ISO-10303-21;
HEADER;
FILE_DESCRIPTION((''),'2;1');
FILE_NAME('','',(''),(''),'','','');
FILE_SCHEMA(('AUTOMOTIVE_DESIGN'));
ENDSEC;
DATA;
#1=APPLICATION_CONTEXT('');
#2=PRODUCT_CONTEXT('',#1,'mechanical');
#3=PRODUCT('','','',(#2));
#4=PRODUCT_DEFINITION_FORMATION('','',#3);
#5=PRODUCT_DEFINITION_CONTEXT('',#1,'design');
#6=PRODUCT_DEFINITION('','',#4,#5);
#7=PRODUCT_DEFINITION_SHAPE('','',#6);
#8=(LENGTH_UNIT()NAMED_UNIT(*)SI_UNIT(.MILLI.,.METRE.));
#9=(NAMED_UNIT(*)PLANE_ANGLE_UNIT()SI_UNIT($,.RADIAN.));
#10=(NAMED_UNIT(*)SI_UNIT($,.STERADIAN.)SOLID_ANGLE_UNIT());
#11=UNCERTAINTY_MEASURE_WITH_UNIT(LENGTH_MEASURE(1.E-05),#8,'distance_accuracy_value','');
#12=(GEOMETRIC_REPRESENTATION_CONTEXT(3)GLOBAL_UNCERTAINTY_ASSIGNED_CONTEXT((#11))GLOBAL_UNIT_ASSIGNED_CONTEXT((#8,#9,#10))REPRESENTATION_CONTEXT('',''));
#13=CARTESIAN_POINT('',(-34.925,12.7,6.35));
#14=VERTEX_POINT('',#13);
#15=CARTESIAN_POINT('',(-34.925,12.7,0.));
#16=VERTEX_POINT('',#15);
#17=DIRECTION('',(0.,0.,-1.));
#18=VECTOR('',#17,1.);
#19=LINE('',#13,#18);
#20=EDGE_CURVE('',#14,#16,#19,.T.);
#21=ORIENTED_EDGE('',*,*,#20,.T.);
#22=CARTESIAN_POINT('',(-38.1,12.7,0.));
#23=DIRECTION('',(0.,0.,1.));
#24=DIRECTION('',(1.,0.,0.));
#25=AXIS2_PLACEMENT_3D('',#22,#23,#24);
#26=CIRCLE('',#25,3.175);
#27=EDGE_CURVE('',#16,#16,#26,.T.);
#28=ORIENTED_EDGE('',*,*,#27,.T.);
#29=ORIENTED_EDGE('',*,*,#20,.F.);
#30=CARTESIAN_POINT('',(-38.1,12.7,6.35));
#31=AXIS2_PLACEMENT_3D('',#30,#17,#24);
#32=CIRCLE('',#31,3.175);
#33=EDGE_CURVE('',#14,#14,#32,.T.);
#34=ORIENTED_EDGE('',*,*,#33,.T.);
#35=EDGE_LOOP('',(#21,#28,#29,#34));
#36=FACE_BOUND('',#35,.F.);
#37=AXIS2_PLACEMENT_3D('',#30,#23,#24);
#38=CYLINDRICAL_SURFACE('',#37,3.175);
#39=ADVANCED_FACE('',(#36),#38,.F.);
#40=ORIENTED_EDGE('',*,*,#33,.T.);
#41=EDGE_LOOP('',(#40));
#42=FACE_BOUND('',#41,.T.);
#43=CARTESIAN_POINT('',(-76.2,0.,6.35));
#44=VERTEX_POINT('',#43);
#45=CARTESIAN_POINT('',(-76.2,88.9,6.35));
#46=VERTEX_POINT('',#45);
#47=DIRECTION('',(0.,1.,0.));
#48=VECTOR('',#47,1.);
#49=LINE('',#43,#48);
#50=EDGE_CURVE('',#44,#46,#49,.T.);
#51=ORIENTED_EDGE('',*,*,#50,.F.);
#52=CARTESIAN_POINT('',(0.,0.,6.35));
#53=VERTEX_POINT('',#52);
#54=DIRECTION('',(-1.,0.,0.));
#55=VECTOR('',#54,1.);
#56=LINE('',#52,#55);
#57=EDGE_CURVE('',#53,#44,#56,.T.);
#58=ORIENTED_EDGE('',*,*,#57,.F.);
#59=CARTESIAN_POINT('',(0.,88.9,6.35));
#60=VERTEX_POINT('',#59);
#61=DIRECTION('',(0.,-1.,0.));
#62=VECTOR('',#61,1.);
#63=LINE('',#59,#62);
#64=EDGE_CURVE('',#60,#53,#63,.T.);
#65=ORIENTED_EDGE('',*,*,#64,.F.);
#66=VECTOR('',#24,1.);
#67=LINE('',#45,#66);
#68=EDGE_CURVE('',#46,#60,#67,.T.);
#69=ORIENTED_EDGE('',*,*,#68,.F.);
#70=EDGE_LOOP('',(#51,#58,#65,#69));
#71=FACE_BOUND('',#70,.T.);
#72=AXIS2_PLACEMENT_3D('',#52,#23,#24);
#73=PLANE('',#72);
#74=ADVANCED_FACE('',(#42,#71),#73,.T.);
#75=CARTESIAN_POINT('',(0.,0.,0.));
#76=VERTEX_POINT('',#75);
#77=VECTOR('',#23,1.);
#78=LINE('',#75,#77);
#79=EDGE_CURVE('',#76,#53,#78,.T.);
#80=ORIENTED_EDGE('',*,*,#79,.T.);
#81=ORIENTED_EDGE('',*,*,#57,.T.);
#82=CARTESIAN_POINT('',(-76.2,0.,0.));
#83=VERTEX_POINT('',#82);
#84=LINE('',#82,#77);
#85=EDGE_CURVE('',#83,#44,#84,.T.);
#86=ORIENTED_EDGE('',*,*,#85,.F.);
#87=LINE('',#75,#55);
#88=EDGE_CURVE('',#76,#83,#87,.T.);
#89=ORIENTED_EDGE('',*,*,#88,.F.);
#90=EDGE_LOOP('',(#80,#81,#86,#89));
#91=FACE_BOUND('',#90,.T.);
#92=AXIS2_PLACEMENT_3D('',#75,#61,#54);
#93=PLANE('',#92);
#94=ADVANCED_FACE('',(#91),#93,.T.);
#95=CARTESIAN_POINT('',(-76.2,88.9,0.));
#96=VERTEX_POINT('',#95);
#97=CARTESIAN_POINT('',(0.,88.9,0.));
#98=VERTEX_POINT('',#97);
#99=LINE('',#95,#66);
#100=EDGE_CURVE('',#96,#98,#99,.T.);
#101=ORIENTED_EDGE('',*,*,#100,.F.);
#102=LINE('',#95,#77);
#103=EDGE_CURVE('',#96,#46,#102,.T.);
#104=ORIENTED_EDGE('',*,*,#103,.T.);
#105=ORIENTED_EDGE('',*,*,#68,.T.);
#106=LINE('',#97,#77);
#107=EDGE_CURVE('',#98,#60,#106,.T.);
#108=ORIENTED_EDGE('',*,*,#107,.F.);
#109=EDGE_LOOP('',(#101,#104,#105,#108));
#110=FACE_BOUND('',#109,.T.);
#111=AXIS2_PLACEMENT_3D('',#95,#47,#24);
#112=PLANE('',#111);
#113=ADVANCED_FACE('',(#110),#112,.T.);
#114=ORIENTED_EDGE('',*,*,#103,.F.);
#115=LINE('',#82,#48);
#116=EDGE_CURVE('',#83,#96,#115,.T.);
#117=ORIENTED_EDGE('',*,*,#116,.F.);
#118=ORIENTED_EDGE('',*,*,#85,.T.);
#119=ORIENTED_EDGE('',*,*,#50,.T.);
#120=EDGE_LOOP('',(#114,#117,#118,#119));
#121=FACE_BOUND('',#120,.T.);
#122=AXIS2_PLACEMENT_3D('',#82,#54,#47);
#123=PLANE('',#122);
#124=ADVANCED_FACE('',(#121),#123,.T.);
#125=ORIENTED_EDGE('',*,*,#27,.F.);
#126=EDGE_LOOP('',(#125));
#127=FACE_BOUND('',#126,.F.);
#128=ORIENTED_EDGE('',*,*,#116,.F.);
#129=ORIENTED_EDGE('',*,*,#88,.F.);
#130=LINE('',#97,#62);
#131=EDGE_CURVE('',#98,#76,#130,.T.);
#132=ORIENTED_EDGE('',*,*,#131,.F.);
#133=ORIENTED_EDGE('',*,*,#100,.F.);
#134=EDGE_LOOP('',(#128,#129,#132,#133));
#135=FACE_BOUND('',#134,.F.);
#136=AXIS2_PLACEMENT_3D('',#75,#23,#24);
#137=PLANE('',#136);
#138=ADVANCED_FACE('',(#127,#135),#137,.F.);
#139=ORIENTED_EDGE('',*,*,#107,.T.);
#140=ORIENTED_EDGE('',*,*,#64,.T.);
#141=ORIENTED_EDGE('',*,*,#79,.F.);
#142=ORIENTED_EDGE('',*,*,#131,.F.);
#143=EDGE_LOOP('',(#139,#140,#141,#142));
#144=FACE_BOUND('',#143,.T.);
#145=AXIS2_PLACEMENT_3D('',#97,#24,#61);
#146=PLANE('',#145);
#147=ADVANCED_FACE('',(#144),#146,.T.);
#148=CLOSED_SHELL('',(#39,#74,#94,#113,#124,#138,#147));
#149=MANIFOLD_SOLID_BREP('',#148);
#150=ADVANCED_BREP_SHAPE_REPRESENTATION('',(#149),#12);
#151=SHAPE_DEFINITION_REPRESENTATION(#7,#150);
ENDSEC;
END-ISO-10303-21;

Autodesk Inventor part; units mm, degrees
ref_plane "YZ Plane" through (0, 0, 0) normal (1, 0, 0) x (0, 1, 0)
ref_plane "XZ Plane" through (0, 0, 0) normal (0, 1, 0) x (-1, 0, 0)
ref_plane "XY Plane" through (0, 0, 0) normal (0, 0, 1) x (1, 0, 0)
sketch "Sketch1" plane through (0, 0, 0) normal (0, 0, 1) x (1, 0, 0)
  line L0 (0, 0) -> (-76.2, 0)
  line L1 (-76.2, 0) -> (-76.2, 88.9)
  line L2 (-76.2, 88.9) -> (0, 88.9)
  line L3 (0, 88.9) -> (0, 0)
  dimension "d0" = 76.2
  dimension "d1" = 88.9
extrude "Extrusion1" add sketch "Sketch1" along normal blind 6.35
sketch "Sketch3" plane through (0, 0, 6.35) normal (0, 0, 1) x (1, 0, 0)
  line L0 (-76.2, 0) -> (0, 0) projected
  line L1 (-76.2, 88.9) -> (-76.2, 0) projected
  line L2 (-38.1, 0) -> (-38.1, 12.7)
  circle A0 centre (-38.1, 12.7) radius 3.175
  dimension "d4" = 12.7
  dimension "d5" = 6.35
extrude "Extrusion2" cut sketch "Sketch3" against normal blind 25.4
properties part number "hook mount plate" material "Aluminum 6061"
